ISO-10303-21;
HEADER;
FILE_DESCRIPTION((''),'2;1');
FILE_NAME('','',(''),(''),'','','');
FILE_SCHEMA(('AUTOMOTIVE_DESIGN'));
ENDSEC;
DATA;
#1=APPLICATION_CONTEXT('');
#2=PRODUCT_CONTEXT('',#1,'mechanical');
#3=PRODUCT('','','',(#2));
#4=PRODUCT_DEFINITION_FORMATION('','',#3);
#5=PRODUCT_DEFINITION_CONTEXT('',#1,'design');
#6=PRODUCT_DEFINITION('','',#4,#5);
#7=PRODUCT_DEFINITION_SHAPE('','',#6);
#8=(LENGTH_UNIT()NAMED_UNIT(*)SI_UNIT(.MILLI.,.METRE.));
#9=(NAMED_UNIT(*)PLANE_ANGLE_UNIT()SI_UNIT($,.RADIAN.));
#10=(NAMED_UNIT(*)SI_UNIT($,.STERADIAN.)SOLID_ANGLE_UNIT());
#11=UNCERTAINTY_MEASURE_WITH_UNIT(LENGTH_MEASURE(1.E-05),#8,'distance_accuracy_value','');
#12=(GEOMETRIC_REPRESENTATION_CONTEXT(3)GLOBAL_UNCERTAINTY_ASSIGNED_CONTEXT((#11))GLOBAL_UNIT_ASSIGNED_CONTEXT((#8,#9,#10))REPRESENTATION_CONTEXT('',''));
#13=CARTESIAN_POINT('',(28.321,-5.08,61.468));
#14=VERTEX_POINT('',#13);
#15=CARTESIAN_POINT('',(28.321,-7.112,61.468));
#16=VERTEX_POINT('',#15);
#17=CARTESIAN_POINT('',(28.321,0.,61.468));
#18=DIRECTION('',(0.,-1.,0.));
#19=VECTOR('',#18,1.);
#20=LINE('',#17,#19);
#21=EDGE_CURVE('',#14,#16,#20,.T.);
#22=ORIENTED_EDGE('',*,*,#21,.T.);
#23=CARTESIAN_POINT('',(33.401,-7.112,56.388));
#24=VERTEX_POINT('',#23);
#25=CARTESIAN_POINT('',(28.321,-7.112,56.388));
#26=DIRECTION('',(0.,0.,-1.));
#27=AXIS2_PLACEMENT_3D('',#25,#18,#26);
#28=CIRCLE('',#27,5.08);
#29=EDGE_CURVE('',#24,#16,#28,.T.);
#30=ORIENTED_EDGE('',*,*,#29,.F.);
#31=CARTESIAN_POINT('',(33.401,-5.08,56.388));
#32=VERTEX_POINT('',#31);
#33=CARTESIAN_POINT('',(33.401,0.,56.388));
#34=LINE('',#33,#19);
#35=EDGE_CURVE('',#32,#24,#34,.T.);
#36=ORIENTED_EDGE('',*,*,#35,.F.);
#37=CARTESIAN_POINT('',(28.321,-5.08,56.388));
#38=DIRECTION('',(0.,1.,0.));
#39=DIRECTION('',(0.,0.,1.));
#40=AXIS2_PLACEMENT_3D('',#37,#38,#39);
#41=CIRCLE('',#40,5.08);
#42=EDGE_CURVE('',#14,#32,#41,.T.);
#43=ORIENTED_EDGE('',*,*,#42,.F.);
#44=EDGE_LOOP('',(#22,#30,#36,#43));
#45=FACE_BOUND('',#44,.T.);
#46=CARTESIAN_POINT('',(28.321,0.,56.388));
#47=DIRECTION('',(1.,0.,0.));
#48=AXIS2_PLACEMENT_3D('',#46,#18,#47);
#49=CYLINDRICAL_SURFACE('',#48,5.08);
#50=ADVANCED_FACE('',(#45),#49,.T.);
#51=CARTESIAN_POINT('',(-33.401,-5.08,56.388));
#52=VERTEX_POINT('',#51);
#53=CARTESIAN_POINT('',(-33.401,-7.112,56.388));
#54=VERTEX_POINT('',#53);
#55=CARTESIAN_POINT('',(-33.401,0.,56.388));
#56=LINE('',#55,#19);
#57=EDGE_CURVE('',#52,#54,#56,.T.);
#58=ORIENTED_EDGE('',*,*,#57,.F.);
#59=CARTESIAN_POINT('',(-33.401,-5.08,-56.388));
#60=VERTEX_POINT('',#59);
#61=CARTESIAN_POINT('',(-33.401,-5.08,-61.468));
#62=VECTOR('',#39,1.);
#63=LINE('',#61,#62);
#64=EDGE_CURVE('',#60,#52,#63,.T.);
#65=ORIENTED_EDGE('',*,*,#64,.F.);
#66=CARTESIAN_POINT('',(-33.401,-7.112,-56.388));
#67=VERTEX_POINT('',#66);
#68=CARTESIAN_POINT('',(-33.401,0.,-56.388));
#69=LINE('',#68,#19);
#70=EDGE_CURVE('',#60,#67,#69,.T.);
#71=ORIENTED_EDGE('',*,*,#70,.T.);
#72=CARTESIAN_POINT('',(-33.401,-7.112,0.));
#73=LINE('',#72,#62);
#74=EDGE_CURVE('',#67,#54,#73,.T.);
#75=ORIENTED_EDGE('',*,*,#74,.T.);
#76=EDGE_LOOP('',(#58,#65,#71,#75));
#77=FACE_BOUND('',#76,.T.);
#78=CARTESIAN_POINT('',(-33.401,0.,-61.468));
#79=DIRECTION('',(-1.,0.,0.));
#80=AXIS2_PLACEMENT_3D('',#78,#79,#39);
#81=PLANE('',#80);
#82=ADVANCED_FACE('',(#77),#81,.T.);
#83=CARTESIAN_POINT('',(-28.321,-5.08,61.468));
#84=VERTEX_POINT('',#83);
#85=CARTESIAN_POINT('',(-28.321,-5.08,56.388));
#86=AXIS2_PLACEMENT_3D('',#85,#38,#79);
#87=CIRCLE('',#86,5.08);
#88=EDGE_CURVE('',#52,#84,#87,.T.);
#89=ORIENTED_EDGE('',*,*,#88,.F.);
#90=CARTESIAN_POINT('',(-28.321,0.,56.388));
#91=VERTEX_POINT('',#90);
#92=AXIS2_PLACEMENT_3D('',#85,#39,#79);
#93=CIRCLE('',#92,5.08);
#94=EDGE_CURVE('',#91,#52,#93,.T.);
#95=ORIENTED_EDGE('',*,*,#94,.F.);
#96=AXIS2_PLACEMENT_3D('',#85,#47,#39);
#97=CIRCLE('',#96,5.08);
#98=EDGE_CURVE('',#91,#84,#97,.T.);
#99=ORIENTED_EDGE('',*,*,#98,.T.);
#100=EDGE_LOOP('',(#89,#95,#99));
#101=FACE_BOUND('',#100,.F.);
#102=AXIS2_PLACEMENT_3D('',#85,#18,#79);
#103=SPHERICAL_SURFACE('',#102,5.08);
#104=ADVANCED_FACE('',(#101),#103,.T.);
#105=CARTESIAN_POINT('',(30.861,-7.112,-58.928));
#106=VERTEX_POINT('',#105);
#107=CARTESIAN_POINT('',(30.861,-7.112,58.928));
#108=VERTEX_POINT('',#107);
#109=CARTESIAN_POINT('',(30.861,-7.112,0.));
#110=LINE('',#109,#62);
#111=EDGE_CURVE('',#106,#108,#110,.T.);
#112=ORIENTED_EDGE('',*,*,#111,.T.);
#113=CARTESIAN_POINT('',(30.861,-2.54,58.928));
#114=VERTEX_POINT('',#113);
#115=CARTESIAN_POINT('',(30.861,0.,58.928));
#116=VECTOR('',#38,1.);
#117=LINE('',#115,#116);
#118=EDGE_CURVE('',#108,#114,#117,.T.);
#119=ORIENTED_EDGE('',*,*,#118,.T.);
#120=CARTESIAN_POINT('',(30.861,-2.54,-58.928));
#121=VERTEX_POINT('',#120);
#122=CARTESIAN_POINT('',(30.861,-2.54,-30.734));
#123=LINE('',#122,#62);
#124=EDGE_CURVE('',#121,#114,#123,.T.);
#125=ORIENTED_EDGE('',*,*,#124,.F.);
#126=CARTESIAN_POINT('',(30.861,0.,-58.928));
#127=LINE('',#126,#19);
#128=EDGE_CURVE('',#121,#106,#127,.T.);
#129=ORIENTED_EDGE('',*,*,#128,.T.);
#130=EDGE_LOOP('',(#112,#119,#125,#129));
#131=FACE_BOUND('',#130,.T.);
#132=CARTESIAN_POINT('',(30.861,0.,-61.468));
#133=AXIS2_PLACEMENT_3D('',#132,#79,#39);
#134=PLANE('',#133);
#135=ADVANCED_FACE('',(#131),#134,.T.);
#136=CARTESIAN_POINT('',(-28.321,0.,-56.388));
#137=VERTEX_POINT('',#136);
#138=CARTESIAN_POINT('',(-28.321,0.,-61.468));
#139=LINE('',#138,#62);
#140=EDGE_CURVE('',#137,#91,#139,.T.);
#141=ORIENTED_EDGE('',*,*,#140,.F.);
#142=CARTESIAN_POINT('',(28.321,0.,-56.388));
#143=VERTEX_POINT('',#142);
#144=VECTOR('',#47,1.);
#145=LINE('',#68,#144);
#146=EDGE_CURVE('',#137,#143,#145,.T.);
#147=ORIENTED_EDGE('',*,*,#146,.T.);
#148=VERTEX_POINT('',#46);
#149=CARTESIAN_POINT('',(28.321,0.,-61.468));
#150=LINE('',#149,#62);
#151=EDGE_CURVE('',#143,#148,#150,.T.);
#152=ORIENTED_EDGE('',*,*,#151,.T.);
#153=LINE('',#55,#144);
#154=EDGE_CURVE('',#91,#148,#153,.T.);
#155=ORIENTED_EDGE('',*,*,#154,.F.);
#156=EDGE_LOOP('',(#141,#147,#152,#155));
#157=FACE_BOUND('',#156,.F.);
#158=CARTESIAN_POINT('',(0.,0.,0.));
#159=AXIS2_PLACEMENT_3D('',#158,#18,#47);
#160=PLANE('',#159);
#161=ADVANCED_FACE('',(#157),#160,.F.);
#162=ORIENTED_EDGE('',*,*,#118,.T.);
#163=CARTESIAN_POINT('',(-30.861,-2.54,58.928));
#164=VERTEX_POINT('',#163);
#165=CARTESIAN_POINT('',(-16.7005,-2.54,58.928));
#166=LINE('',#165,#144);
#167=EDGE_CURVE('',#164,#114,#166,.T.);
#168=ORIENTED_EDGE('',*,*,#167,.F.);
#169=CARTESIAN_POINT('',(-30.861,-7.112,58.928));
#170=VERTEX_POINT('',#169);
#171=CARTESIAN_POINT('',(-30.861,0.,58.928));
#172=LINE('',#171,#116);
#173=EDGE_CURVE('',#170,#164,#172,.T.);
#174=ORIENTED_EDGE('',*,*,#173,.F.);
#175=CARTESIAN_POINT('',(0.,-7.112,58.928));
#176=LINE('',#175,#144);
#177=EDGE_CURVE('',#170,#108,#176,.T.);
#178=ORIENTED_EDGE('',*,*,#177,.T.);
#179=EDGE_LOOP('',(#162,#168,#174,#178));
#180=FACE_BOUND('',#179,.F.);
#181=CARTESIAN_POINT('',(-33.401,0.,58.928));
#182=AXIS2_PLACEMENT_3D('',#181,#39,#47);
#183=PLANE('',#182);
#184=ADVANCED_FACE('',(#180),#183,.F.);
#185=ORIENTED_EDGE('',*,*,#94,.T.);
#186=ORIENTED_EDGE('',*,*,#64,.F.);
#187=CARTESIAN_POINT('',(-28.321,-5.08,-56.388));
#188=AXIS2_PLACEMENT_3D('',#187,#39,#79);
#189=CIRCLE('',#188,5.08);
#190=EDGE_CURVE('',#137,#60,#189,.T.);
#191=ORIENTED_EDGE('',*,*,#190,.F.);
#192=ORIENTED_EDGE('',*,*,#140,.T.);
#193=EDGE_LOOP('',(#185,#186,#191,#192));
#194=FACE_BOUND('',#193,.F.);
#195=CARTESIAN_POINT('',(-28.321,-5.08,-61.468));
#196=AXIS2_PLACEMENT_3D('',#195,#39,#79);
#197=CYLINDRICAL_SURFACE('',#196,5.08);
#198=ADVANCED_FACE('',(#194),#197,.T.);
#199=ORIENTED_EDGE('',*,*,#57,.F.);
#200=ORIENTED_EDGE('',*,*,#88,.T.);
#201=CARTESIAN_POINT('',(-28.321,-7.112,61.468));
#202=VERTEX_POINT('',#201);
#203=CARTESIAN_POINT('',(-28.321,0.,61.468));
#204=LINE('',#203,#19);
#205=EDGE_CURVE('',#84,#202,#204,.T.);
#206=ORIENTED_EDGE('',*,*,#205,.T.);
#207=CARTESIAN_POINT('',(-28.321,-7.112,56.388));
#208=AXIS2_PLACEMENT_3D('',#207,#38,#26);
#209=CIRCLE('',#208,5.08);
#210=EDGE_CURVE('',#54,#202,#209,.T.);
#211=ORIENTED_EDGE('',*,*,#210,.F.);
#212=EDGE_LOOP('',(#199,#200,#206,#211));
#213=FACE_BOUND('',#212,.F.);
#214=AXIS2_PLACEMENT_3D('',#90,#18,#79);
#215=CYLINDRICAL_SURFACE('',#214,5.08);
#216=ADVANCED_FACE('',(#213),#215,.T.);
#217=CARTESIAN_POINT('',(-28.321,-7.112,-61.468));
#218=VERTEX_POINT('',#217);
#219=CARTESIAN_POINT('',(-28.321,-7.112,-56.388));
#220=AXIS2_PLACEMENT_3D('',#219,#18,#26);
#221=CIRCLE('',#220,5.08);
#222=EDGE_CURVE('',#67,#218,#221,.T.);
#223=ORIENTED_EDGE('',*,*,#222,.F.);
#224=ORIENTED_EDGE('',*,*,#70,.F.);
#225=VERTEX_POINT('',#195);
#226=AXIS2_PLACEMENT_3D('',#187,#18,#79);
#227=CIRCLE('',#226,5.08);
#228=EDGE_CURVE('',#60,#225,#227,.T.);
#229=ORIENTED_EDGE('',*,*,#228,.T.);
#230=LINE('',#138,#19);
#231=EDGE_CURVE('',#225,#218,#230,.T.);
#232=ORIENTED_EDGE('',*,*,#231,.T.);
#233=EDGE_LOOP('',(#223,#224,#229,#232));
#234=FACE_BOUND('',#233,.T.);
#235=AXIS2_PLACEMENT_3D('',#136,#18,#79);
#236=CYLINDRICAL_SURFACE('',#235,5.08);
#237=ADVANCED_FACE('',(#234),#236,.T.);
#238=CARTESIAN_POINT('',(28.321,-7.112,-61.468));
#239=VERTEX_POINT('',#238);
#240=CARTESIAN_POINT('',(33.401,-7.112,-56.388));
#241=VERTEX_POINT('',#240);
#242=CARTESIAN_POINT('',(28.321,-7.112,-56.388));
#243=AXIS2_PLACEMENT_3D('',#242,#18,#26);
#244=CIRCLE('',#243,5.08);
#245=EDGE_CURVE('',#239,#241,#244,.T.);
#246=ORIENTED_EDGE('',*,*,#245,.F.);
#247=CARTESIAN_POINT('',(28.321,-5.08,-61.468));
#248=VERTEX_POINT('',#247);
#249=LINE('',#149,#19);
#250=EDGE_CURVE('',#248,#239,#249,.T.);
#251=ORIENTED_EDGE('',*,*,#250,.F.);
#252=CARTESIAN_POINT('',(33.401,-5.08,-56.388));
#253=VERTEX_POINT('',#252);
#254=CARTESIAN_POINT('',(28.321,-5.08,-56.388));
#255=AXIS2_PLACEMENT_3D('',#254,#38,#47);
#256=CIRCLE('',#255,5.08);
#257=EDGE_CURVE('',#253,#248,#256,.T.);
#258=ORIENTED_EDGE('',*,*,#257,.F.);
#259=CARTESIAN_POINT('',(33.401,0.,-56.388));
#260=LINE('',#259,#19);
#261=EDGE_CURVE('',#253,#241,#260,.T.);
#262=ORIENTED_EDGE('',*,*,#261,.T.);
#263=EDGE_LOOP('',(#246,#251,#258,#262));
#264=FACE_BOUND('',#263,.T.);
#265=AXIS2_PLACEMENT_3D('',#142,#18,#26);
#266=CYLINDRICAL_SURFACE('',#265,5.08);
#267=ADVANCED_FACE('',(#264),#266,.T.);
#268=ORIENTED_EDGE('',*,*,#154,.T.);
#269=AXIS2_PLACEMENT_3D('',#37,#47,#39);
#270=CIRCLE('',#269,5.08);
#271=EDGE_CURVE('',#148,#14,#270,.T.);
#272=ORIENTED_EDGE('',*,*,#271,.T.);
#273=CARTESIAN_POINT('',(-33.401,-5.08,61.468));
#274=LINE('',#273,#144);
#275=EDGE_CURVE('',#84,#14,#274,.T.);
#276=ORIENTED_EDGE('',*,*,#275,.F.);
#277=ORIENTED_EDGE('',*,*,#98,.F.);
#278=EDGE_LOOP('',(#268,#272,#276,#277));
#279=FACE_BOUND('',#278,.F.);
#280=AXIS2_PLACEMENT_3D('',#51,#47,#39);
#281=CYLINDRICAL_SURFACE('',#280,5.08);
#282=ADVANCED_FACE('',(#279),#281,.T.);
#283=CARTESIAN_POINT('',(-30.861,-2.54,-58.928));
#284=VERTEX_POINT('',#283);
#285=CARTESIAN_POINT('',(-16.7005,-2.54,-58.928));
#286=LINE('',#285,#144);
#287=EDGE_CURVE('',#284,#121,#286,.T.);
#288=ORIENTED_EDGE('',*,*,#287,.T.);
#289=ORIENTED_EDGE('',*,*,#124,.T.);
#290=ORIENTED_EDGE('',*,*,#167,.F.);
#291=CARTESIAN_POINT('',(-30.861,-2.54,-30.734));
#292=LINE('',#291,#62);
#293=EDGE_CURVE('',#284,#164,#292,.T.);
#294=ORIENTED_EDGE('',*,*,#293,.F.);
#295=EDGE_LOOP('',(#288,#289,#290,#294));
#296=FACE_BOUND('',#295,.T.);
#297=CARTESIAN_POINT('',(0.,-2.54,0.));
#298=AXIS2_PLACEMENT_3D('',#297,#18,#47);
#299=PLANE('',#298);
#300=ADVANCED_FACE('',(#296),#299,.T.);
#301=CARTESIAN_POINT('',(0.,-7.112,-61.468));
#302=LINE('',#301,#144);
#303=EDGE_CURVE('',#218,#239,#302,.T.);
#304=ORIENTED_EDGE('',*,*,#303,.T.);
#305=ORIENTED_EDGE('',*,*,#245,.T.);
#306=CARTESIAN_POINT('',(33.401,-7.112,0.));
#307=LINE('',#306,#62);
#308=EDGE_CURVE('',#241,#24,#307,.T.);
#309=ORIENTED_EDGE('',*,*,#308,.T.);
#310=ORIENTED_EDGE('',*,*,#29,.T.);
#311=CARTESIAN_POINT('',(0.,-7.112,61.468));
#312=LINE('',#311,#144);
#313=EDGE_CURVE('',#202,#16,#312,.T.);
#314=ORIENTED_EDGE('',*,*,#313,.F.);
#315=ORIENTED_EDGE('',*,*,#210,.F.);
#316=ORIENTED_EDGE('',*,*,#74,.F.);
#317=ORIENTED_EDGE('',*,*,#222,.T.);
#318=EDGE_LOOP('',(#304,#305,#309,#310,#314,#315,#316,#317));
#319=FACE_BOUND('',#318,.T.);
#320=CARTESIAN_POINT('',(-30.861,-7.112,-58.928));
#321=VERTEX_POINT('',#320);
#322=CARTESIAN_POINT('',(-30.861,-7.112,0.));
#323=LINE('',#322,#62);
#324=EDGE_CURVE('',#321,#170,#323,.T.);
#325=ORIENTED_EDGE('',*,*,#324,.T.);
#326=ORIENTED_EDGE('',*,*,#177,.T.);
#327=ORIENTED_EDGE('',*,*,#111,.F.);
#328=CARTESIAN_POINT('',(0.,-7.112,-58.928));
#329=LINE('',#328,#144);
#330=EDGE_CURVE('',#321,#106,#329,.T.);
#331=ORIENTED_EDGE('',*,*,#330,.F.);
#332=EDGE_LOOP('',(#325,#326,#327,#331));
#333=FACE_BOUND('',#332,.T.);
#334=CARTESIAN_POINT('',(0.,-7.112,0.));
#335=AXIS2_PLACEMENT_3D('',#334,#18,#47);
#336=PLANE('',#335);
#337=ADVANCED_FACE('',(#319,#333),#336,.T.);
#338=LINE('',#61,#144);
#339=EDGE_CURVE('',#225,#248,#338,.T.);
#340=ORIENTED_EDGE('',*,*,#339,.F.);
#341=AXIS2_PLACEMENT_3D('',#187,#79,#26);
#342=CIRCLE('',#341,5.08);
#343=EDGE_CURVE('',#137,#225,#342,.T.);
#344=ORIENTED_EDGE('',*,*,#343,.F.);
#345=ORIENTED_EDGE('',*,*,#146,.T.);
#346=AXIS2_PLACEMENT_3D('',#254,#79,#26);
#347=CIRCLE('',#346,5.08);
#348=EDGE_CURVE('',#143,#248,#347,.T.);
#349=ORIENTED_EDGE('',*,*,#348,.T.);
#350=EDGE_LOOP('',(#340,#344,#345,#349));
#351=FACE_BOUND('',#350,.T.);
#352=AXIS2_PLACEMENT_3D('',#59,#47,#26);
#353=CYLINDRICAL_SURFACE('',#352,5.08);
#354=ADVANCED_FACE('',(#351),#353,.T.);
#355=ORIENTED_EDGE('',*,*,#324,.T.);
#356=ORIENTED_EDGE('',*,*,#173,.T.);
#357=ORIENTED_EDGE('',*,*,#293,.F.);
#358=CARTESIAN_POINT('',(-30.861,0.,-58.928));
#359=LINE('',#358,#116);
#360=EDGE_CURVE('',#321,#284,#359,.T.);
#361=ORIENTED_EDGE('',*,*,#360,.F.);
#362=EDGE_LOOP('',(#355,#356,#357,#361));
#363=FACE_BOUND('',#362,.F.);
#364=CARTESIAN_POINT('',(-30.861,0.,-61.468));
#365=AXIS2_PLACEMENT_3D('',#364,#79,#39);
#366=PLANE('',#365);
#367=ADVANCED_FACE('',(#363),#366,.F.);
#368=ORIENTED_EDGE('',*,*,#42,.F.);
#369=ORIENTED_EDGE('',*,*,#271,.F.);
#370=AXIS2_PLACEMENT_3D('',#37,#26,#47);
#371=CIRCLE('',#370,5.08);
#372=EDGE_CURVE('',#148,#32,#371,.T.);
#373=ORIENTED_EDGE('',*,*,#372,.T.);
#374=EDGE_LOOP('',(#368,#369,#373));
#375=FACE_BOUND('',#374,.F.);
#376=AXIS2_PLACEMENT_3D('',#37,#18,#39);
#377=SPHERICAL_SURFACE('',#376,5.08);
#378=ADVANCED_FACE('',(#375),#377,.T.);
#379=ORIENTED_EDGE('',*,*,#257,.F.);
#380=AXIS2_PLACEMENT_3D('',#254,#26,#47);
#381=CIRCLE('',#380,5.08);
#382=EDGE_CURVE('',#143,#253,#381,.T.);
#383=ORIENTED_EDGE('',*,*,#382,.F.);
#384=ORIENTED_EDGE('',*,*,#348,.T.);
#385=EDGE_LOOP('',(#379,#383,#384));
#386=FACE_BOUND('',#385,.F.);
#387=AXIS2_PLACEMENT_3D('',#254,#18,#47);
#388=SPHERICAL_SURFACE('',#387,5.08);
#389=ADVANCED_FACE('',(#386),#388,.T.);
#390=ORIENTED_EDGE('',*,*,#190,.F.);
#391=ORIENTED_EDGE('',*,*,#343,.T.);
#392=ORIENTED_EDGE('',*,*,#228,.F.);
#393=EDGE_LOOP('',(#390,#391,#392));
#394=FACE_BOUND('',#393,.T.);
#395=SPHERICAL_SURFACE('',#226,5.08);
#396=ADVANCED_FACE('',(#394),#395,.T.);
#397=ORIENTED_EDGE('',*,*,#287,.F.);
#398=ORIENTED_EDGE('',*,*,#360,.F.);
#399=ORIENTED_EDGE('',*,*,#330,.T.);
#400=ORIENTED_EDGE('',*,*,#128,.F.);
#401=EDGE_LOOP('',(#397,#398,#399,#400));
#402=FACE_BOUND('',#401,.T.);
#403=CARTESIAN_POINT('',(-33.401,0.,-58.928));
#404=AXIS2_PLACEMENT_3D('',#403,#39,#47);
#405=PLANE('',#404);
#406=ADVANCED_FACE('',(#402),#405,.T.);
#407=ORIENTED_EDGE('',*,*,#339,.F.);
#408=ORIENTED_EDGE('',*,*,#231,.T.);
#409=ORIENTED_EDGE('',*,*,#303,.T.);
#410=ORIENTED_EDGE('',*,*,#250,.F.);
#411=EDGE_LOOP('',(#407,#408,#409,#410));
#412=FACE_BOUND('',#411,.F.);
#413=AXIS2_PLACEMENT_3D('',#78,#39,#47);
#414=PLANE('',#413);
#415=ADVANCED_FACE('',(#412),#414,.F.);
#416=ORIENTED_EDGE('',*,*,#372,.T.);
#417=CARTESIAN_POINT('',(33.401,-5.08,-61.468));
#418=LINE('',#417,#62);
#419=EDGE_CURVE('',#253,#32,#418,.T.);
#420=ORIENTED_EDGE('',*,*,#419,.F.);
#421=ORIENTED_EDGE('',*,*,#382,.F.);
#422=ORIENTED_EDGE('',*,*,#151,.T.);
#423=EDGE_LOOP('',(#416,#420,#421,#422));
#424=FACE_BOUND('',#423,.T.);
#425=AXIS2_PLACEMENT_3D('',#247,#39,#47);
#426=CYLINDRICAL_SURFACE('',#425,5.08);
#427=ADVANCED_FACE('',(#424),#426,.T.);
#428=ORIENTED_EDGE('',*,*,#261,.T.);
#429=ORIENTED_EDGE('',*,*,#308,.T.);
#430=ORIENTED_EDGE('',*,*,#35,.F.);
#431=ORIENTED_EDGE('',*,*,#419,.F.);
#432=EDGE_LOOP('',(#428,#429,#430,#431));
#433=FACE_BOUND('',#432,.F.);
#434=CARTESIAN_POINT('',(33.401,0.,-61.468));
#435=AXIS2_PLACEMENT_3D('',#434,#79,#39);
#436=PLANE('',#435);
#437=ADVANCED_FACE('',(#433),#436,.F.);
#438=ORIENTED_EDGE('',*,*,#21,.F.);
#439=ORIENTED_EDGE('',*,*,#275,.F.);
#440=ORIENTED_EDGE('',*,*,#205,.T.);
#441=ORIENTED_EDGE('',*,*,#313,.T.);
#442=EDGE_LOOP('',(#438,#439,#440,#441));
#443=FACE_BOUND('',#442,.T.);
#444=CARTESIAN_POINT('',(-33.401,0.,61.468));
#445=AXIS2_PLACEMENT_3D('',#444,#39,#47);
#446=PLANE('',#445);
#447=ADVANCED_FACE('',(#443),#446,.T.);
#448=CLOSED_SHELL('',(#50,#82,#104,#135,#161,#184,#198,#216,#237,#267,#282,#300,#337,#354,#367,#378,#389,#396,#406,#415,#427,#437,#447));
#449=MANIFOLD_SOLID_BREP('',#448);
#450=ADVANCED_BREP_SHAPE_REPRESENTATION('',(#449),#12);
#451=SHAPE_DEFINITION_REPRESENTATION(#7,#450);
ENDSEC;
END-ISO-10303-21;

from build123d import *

# Parameters (mm, degrees)
F0_W     = 66.802
F0_H     = 122.936
F1_DEPTH = 7.112
F2_T     = -2.54
F3_R     = 5.08


with BuildPart() as f1:
    # F0 (on Front) → F1 (new body)
    with BuildSketch(Plane.XZ):
        Rectangle(F0_W, F0_H)
    extrude(amount=F1_DEPTH)

    # F2
    f2_openings = [f1.faces().sort_by_distance(p)[0] for p in [
        (0, -7.112, 0),
    ]]
    offset(amount=F2_T, openings=f2_openings)

    # F3
    f3_edges = [f1.edges().sort_by_distance(p)[0] for p in [
        (33.401, -3.556, 61.468),
        (33.401, -3.556, -61.468),
        (-33.401, -3.556, -61.468),
        (-33.401, -3.556, 61.468),
        (-33.401, 0, 0),
        (0, 0, 61.468),
        (33.401, 0, 0),
        (0, 0, -61.468),
    ]]
    fillet(f3_edges, radius=F3_R)


solid = f1.part
